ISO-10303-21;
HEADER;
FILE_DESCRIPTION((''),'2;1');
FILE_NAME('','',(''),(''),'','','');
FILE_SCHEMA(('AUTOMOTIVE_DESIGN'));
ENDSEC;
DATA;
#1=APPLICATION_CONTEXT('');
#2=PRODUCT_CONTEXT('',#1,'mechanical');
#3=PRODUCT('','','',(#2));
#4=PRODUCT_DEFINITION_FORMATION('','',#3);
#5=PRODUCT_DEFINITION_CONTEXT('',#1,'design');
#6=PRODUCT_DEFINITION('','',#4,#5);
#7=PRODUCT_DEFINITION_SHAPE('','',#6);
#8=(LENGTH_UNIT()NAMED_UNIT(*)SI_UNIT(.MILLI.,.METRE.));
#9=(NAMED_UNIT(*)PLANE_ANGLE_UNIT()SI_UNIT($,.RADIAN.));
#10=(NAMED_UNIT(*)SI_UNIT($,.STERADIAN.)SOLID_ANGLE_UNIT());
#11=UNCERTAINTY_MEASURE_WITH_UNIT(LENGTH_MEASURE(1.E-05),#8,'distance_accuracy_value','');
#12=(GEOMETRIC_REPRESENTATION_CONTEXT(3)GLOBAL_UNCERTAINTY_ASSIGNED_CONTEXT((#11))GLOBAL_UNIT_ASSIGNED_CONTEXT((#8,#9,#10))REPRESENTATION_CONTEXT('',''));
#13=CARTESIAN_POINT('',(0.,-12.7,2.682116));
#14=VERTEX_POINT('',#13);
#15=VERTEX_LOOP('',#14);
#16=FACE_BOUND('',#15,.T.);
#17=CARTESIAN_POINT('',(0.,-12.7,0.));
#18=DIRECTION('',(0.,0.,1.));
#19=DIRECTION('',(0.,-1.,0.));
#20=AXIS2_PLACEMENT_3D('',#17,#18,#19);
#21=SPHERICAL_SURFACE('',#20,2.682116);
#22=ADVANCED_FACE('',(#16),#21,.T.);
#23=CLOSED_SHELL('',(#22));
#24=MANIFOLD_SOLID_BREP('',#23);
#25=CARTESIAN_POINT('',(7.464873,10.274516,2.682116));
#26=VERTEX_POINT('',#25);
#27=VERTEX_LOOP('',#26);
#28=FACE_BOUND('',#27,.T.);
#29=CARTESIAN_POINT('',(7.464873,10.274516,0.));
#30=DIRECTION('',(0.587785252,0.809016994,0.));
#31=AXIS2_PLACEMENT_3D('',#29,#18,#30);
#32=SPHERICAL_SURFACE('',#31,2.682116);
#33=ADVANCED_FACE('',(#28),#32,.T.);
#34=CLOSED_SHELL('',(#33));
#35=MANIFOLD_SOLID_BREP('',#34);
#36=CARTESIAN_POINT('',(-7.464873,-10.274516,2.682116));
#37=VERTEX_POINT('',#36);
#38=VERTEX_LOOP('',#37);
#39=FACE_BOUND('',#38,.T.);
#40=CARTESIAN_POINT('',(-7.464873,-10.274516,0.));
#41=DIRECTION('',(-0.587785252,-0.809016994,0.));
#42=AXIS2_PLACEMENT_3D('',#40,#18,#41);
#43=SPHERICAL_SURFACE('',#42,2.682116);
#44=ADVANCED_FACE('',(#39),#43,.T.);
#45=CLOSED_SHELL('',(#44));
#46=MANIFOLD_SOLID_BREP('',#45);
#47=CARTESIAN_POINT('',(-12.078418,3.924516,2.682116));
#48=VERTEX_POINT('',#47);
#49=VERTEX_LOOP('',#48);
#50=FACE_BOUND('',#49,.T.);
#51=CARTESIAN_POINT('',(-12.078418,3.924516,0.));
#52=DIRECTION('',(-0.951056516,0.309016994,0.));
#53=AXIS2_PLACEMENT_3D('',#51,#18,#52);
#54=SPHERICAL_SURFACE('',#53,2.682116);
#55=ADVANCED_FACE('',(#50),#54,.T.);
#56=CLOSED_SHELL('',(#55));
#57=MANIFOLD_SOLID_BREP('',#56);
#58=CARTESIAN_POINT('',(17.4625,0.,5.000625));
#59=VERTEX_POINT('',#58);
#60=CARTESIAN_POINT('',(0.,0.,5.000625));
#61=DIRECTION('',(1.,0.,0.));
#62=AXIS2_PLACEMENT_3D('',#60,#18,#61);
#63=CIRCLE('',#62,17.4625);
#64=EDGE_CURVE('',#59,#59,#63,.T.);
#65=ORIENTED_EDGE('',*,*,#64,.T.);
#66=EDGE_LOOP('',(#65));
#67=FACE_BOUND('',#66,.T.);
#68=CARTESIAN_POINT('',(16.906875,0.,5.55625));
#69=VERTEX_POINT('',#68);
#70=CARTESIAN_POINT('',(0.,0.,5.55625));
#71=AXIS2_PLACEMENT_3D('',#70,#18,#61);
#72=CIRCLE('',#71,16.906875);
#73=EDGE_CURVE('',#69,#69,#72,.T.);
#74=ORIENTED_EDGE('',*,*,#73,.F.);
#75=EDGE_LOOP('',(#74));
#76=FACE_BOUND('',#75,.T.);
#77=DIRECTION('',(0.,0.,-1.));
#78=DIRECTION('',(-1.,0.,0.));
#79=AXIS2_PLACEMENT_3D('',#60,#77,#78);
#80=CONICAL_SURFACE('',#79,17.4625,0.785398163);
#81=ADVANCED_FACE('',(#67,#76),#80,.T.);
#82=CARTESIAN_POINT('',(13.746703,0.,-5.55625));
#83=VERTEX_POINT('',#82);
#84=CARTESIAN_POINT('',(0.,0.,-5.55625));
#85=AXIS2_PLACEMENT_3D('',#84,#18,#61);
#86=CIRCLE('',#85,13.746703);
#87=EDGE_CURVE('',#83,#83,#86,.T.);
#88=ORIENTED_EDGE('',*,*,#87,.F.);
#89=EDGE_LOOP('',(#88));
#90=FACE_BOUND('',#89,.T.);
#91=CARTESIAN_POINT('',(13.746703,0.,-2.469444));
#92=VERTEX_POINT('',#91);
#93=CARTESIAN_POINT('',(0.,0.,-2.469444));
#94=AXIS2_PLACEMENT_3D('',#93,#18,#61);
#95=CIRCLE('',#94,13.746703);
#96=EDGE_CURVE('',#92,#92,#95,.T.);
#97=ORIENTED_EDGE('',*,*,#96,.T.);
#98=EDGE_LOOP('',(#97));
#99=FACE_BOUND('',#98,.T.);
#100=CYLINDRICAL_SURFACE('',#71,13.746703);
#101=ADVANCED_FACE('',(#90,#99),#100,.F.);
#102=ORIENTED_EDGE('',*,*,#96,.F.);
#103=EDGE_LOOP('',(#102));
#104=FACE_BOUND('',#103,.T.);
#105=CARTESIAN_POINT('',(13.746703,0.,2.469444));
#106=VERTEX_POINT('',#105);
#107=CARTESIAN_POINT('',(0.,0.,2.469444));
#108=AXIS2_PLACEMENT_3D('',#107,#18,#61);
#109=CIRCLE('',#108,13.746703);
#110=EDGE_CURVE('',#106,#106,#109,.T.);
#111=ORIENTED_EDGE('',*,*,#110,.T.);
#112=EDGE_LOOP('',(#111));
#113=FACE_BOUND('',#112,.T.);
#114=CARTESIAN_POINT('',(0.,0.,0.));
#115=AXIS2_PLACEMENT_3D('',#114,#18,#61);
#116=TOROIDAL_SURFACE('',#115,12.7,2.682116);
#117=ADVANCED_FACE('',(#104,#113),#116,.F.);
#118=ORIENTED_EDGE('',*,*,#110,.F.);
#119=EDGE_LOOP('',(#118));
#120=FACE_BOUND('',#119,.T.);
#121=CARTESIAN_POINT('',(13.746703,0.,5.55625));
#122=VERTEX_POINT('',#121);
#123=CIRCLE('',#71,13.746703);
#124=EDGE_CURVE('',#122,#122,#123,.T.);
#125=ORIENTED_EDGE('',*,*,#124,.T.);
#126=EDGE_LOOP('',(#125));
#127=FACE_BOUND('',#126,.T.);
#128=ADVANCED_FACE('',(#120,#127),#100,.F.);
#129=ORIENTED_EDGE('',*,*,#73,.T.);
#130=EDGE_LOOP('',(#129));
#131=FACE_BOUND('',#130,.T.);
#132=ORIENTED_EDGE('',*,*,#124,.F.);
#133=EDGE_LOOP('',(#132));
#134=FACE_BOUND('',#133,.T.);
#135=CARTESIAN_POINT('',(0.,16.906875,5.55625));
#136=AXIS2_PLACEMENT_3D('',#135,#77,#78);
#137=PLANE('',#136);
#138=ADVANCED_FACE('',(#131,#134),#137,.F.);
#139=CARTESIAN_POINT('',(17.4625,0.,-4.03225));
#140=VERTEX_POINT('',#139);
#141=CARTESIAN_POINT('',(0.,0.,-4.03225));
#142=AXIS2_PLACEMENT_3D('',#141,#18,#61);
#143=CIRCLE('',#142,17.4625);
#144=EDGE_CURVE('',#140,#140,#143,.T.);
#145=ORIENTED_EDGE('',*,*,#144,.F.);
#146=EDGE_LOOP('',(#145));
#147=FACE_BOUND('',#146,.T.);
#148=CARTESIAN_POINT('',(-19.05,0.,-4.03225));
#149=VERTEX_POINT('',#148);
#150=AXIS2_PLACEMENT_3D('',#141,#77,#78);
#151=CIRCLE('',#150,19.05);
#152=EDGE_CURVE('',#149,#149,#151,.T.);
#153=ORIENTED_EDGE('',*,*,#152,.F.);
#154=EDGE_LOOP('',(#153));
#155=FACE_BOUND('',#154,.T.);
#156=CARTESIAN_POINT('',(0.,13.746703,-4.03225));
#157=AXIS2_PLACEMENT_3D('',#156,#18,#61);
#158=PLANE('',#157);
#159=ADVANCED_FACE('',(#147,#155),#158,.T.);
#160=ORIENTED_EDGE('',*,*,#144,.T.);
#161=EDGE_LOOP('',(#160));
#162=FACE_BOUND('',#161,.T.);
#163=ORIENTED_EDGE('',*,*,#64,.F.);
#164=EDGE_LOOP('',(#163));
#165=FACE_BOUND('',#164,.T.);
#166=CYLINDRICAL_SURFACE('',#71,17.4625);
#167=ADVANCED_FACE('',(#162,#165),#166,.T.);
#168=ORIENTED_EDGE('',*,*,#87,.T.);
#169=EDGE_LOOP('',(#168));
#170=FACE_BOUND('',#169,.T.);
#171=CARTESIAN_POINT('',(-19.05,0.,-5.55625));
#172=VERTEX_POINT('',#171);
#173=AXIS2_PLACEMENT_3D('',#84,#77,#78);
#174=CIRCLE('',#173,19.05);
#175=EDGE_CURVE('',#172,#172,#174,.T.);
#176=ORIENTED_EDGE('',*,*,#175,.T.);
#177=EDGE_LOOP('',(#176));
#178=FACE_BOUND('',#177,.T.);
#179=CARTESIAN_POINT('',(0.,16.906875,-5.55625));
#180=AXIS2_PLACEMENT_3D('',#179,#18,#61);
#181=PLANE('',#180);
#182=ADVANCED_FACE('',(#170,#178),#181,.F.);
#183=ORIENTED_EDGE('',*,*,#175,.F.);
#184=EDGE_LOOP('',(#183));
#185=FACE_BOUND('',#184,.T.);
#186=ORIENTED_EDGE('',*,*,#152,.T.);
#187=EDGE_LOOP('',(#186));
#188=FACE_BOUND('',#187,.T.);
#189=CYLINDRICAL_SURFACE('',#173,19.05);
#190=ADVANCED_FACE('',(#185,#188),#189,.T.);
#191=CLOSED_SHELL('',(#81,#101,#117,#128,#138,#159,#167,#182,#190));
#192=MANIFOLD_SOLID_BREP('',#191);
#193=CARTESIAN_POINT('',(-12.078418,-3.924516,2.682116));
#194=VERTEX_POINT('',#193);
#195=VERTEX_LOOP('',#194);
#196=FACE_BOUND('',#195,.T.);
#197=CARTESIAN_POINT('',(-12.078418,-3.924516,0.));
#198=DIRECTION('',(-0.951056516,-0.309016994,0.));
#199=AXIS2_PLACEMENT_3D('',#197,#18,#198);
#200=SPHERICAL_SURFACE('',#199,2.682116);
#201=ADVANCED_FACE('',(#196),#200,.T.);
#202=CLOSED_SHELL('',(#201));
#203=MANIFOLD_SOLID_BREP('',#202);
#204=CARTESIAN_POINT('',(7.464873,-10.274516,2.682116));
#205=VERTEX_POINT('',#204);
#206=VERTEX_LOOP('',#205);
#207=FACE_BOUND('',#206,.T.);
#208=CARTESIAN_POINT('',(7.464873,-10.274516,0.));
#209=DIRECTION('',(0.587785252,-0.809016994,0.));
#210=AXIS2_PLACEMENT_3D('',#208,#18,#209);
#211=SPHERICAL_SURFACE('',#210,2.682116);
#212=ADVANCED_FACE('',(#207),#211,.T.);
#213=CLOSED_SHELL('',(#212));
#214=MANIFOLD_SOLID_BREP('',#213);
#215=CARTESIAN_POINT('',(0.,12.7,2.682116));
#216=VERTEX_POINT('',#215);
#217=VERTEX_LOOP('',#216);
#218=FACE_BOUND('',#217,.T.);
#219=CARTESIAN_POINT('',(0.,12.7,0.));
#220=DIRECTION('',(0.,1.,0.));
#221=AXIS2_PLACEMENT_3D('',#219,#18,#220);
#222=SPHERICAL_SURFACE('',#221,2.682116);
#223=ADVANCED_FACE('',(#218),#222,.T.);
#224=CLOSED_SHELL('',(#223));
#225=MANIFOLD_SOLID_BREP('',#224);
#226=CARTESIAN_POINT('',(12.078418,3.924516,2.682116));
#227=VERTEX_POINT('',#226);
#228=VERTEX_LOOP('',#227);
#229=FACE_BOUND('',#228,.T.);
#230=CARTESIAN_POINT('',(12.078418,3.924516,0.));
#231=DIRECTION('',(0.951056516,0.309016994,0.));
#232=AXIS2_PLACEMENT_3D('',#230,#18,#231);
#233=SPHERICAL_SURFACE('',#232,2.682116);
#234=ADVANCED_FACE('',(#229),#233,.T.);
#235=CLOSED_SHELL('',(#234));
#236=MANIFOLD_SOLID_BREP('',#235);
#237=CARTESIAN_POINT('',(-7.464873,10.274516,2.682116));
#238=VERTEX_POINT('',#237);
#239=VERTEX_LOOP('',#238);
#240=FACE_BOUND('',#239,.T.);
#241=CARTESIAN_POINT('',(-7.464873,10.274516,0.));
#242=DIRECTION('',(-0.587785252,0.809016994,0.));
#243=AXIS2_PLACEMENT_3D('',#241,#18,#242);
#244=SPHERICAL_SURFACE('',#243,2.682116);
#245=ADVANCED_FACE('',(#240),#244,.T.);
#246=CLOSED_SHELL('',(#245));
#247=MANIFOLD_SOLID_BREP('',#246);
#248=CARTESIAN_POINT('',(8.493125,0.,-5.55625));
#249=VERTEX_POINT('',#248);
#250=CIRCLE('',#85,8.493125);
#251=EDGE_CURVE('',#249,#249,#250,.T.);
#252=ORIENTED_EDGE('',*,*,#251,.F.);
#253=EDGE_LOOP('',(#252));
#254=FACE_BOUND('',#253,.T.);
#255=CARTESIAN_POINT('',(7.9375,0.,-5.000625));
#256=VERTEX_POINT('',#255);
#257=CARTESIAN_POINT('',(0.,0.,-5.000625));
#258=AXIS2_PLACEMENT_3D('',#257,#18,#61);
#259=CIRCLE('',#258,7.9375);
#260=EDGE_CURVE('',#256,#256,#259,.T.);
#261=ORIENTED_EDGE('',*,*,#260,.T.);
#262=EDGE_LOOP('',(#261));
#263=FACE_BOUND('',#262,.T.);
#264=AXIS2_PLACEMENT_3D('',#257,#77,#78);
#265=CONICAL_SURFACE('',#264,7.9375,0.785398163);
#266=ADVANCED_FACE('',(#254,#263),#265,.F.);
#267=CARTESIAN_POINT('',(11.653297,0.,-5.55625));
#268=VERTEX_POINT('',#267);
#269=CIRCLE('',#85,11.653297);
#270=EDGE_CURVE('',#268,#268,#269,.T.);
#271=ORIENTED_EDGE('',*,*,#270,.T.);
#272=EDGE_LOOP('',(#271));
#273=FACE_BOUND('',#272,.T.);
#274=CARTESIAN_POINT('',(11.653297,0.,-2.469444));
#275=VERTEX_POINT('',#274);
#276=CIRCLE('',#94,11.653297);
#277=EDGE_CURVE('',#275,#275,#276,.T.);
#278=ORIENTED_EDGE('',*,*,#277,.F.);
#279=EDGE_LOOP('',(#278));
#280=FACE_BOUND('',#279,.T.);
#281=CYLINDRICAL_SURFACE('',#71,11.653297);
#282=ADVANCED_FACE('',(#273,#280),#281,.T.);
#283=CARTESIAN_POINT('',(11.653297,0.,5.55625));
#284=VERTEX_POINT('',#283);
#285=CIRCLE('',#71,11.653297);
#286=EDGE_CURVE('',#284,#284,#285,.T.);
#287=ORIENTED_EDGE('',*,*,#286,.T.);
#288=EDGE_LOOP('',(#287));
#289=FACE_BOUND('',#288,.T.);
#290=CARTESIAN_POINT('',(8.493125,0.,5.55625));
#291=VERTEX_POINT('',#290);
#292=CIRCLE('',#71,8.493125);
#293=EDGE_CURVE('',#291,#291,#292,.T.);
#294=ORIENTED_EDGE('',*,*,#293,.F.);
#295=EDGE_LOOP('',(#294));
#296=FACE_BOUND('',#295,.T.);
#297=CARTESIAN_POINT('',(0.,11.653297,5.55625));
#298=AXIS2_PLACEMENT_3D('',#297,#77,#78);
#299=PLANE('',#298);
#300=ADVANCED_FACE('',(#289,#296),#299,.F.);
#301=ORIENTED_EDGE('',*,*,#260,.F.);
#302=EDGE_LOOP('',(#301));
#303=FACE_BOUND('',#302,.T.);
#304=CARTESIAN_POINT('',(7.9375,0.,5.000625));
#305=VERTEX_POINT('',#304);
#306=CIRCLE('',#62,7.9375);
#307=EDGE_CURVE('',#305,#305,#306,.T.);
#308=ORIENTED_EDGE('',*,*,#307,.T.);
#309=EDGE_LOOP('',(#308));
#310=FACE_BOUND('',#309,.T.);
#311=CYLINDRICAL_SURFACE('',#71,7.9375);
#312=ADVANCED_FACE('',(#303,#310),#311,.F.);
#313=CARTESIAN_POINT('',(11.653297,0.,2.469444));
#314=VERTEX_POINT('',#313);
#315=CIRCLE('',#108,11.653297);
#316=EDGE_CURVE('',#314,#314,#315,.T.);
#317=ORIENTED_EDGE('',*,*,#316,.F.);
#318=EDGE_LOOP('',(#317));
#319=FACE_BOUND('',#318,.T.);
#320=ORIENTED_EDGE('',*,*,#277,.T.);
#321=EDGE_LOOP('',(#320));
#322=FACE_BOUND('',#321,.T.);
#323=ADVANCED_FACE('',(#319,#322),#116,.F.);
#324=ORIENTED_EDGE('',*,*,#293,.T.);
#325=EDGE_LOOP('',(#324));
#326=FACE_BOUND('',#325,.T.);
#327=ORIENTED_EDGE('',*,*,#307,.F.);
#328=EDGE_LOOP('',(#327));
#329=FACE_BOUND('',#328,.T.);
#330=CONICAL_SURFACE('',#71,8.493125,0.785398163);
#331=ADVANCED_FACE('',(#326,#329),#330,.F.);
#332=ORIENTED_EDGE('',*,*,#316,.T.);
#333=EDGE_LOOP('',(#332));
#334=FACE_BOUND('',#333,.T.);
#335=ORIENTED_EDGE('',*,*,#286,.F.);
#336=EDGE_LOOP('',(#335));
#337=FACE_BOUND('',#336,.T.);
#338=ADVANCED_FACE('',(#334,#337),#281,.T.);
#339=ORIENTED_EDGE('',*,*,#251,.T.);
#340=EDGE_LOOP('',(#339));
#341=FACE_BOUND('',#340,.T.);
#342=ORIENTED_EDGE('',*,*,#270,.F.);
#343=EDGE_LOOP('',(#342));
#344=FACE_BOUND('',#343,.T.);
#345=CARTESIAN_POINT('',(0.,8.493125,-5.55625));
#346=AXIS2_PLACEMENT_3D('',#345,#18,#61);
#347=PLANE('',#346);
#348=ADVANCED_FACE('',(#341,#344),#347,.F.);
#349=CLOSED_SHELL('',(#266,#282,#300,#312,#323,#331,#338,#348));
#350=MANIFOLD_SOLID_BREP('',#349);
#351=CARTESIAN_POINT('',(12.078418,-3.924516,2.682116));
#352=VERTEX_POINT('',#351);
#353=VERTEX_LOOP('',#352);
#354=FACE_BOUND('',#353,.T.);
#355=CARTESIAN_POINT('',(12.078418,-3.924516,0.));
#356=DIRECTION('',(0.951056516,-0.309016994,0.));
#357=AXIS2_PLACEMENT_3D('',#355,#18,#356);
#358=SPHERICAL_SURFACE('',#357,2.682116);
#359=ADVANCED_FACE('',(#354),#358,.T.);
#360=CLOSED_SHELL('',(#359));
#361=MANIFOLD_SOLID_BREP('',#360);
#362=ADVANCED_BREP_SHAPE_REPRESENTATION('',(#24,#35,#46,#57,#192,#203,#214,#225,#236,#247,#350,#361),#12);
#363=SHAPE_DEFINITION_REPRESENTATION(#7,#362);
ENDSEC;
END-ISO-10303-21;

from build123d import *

# Parameters (mm, degrees)
CIRPATTERN1_COUNT = 10
SKETCH6_W         = 1.524
SKETCH6_H         = 5.303296703


with BuildPart() as part:
    # Sketch1 → Revolve1 (revolve)
    with BuildSketch(Plane(origin=(0, 0, 0), x_dir=(0, 0, -1), z_dir=(1, 0, 0))):
        with BuildLine():
            Line((5.000625, 17.4625), (-5.000625, 17.4625))
            Line((-5.000625, 17.4625), (-5.55625, 16.906875))
            Line((-5.55625, 16.906875), (-5.55625, 13.746703297))
            Line((-5.55625, 13.746703297), (-2.469444444, 13.746703297))
            ThreePointArc((-2.469444444, 13.746703297), (0, 15.382115519), (2.469444444, 13.746703297))
            Line((2.469444444, 13.746703297), (5.55625, 13.746703297))
            Line((5.55625, 13.746703297), (5.55625, 16.906875))
            Line((5.55625, 16.906875), (5.000625, 17.4625))
        make_face()
    revolve(axis=Axis((0, 0, 5.55625), (0, 0, -1)))

    # Sketch6 → Revolve6 (revolve)
    with BuildSketch(Plane(origin=(0, 0, 0), x_dir=(0, 0, -1), z_dir=(1, 0, 0))):
        with Locations((4.79425, 16.398351649)):
            Rectangle(SKETCH6_W, SKETCH6_H)
    revolve(axis=Axis((0, 0, -5.55625), (0, 0, 1)))


with BuildPart() as body_2:
    # Sketch3 → Revolve3 (revolve)
    with BuildSketch(Plane(origin=(0, 0, 0), x_dir=(0, 0, -1), z_dir=(1, 0, 0))):
        with BuildLine():
            Line((-5.55625, 11.653296703), (-2.469444444, 11.653296703))
            ThreePointArc((-2.469444444, 11.653296703), (0, 10.017884481), (2.469444444, 11.653296703))
            Line((2.469444444, 11.653296703), (5.55625, 11.653296703))
            Line((5.55625, 11.653296703), (5.55625, 8.493125))
            Line((5.55625, 8.493125), (5.000625, 7.9375))
            Line((5.000625, 7.9375), (-5.000625, 7.9375))
            Line((-5.000625, 7.9375), (-5.55625, 8.493125))
            Line((-5.55625, 8.493125), (-5.55625, 11.653296703))
        make_face()
    revolve(axis=Axis((0, 0, 5.55625), (0, 0, -1)))


with BuildPart() as body_3:
    # Sketch4 → Revolve4 (revolve)
    with BuildSketch(Plane(origin=(0, 0, 0), x_dir=(0, 0, -1), z_dir=(1, 0, 0))):
        with BuildLine():
            Line((-2.682115519, 12.7), (2.682115519, 12.7))
            ThreePointArc((2.682115519, 12.7), (0, 15.382115519), (-2.682115519, 12.7))
        make_face()
    revolve(axis=Axis((0, 12.7, 2.682115519), (0, 0, -1)))


with BuildPart() as cirpattern1_1:
    # CirPattern1: pattern copy
    add(body_3.part.rotate(Axis((0, 0, -5.55625), (0, 0, 1)), 1 * 360 / CIRPATTERN1_COUNT))


with BuildPart() as cirpattern1_2:
    # CirPattern1: pattern copy
    add(body_3.part.rotate(Axis((0, 0, -5.55625), (0, 0, 1)), 2 * 360 / CIRPATTERN1_COUNT))


with BuildPart() as cirpattern1_3:
    # CirPattern1: pattern copy
    add(body_3.part.rotate(Axis((0, 0, -5.55625), (0, 0, 1)), 3 * 360 / CIRPATTERN1_COUNT))


with BuildPart() as cirpattern1_4:
    # CirPattern1: pattern copy
    add(body_3.part.rotate(Axis((0, 0, -5.55625), (0, 0, 1)), 4 * 360 / CIRPATTERN1_COUNT))


with BuildPart() as cirpattern1_5:
    # CirPattern1: pattern copy
    add(body_3.part.rotate(Axis((0, 0, -5.55625), (0, 0, 1)), 5 * 360 / CIRPATTERN1_COUNT))


with BuildPart() as cirpattern1_6:
    # CirPattern1: pattern copy
    add(body_3.part.rotate(Axis((0, 0, -5.55625), (0, 0, 1)), 6 * 360 / CIRPATTERN1_COUNT))


with BuildPart() as cirpattern1_7:
    # CirPattern1: pattern copy
    add(body_3.part.rotate(Axis((0, 0, -5.55625), (0, 0, 1)), 7 * 360 / CIRPATTERN1_COUNT))


with BuildPart() as cirpattern1_8:
    # CirPattern1: pattern copy
    add(body_3.part.rotate(Axis((0, 0, -5.55625), (0, 0, 1)), 8 * 360 / CIRPATTERN1_COUNT))


with BuildPart() as cirpattern1_9:
    # CirPattern1: pattern copy
    add(body_3.part.rotate(Axis((0, 0, -5.55625), (0, 0, 1)), 9 * 360 / CIRPATTERN1_COUNT))


solid = Compound([part.part, body_2.part, body_3.part, cirpattern1_1.part, cirpattern1_2.part, cirpattern1_3.part, cirpattern1_4.part, cirpattern1_5.part, cirpattern1_6.part, cirpattern1_7.part, cirpattern1_8.part, cirpattern1_9.part])
